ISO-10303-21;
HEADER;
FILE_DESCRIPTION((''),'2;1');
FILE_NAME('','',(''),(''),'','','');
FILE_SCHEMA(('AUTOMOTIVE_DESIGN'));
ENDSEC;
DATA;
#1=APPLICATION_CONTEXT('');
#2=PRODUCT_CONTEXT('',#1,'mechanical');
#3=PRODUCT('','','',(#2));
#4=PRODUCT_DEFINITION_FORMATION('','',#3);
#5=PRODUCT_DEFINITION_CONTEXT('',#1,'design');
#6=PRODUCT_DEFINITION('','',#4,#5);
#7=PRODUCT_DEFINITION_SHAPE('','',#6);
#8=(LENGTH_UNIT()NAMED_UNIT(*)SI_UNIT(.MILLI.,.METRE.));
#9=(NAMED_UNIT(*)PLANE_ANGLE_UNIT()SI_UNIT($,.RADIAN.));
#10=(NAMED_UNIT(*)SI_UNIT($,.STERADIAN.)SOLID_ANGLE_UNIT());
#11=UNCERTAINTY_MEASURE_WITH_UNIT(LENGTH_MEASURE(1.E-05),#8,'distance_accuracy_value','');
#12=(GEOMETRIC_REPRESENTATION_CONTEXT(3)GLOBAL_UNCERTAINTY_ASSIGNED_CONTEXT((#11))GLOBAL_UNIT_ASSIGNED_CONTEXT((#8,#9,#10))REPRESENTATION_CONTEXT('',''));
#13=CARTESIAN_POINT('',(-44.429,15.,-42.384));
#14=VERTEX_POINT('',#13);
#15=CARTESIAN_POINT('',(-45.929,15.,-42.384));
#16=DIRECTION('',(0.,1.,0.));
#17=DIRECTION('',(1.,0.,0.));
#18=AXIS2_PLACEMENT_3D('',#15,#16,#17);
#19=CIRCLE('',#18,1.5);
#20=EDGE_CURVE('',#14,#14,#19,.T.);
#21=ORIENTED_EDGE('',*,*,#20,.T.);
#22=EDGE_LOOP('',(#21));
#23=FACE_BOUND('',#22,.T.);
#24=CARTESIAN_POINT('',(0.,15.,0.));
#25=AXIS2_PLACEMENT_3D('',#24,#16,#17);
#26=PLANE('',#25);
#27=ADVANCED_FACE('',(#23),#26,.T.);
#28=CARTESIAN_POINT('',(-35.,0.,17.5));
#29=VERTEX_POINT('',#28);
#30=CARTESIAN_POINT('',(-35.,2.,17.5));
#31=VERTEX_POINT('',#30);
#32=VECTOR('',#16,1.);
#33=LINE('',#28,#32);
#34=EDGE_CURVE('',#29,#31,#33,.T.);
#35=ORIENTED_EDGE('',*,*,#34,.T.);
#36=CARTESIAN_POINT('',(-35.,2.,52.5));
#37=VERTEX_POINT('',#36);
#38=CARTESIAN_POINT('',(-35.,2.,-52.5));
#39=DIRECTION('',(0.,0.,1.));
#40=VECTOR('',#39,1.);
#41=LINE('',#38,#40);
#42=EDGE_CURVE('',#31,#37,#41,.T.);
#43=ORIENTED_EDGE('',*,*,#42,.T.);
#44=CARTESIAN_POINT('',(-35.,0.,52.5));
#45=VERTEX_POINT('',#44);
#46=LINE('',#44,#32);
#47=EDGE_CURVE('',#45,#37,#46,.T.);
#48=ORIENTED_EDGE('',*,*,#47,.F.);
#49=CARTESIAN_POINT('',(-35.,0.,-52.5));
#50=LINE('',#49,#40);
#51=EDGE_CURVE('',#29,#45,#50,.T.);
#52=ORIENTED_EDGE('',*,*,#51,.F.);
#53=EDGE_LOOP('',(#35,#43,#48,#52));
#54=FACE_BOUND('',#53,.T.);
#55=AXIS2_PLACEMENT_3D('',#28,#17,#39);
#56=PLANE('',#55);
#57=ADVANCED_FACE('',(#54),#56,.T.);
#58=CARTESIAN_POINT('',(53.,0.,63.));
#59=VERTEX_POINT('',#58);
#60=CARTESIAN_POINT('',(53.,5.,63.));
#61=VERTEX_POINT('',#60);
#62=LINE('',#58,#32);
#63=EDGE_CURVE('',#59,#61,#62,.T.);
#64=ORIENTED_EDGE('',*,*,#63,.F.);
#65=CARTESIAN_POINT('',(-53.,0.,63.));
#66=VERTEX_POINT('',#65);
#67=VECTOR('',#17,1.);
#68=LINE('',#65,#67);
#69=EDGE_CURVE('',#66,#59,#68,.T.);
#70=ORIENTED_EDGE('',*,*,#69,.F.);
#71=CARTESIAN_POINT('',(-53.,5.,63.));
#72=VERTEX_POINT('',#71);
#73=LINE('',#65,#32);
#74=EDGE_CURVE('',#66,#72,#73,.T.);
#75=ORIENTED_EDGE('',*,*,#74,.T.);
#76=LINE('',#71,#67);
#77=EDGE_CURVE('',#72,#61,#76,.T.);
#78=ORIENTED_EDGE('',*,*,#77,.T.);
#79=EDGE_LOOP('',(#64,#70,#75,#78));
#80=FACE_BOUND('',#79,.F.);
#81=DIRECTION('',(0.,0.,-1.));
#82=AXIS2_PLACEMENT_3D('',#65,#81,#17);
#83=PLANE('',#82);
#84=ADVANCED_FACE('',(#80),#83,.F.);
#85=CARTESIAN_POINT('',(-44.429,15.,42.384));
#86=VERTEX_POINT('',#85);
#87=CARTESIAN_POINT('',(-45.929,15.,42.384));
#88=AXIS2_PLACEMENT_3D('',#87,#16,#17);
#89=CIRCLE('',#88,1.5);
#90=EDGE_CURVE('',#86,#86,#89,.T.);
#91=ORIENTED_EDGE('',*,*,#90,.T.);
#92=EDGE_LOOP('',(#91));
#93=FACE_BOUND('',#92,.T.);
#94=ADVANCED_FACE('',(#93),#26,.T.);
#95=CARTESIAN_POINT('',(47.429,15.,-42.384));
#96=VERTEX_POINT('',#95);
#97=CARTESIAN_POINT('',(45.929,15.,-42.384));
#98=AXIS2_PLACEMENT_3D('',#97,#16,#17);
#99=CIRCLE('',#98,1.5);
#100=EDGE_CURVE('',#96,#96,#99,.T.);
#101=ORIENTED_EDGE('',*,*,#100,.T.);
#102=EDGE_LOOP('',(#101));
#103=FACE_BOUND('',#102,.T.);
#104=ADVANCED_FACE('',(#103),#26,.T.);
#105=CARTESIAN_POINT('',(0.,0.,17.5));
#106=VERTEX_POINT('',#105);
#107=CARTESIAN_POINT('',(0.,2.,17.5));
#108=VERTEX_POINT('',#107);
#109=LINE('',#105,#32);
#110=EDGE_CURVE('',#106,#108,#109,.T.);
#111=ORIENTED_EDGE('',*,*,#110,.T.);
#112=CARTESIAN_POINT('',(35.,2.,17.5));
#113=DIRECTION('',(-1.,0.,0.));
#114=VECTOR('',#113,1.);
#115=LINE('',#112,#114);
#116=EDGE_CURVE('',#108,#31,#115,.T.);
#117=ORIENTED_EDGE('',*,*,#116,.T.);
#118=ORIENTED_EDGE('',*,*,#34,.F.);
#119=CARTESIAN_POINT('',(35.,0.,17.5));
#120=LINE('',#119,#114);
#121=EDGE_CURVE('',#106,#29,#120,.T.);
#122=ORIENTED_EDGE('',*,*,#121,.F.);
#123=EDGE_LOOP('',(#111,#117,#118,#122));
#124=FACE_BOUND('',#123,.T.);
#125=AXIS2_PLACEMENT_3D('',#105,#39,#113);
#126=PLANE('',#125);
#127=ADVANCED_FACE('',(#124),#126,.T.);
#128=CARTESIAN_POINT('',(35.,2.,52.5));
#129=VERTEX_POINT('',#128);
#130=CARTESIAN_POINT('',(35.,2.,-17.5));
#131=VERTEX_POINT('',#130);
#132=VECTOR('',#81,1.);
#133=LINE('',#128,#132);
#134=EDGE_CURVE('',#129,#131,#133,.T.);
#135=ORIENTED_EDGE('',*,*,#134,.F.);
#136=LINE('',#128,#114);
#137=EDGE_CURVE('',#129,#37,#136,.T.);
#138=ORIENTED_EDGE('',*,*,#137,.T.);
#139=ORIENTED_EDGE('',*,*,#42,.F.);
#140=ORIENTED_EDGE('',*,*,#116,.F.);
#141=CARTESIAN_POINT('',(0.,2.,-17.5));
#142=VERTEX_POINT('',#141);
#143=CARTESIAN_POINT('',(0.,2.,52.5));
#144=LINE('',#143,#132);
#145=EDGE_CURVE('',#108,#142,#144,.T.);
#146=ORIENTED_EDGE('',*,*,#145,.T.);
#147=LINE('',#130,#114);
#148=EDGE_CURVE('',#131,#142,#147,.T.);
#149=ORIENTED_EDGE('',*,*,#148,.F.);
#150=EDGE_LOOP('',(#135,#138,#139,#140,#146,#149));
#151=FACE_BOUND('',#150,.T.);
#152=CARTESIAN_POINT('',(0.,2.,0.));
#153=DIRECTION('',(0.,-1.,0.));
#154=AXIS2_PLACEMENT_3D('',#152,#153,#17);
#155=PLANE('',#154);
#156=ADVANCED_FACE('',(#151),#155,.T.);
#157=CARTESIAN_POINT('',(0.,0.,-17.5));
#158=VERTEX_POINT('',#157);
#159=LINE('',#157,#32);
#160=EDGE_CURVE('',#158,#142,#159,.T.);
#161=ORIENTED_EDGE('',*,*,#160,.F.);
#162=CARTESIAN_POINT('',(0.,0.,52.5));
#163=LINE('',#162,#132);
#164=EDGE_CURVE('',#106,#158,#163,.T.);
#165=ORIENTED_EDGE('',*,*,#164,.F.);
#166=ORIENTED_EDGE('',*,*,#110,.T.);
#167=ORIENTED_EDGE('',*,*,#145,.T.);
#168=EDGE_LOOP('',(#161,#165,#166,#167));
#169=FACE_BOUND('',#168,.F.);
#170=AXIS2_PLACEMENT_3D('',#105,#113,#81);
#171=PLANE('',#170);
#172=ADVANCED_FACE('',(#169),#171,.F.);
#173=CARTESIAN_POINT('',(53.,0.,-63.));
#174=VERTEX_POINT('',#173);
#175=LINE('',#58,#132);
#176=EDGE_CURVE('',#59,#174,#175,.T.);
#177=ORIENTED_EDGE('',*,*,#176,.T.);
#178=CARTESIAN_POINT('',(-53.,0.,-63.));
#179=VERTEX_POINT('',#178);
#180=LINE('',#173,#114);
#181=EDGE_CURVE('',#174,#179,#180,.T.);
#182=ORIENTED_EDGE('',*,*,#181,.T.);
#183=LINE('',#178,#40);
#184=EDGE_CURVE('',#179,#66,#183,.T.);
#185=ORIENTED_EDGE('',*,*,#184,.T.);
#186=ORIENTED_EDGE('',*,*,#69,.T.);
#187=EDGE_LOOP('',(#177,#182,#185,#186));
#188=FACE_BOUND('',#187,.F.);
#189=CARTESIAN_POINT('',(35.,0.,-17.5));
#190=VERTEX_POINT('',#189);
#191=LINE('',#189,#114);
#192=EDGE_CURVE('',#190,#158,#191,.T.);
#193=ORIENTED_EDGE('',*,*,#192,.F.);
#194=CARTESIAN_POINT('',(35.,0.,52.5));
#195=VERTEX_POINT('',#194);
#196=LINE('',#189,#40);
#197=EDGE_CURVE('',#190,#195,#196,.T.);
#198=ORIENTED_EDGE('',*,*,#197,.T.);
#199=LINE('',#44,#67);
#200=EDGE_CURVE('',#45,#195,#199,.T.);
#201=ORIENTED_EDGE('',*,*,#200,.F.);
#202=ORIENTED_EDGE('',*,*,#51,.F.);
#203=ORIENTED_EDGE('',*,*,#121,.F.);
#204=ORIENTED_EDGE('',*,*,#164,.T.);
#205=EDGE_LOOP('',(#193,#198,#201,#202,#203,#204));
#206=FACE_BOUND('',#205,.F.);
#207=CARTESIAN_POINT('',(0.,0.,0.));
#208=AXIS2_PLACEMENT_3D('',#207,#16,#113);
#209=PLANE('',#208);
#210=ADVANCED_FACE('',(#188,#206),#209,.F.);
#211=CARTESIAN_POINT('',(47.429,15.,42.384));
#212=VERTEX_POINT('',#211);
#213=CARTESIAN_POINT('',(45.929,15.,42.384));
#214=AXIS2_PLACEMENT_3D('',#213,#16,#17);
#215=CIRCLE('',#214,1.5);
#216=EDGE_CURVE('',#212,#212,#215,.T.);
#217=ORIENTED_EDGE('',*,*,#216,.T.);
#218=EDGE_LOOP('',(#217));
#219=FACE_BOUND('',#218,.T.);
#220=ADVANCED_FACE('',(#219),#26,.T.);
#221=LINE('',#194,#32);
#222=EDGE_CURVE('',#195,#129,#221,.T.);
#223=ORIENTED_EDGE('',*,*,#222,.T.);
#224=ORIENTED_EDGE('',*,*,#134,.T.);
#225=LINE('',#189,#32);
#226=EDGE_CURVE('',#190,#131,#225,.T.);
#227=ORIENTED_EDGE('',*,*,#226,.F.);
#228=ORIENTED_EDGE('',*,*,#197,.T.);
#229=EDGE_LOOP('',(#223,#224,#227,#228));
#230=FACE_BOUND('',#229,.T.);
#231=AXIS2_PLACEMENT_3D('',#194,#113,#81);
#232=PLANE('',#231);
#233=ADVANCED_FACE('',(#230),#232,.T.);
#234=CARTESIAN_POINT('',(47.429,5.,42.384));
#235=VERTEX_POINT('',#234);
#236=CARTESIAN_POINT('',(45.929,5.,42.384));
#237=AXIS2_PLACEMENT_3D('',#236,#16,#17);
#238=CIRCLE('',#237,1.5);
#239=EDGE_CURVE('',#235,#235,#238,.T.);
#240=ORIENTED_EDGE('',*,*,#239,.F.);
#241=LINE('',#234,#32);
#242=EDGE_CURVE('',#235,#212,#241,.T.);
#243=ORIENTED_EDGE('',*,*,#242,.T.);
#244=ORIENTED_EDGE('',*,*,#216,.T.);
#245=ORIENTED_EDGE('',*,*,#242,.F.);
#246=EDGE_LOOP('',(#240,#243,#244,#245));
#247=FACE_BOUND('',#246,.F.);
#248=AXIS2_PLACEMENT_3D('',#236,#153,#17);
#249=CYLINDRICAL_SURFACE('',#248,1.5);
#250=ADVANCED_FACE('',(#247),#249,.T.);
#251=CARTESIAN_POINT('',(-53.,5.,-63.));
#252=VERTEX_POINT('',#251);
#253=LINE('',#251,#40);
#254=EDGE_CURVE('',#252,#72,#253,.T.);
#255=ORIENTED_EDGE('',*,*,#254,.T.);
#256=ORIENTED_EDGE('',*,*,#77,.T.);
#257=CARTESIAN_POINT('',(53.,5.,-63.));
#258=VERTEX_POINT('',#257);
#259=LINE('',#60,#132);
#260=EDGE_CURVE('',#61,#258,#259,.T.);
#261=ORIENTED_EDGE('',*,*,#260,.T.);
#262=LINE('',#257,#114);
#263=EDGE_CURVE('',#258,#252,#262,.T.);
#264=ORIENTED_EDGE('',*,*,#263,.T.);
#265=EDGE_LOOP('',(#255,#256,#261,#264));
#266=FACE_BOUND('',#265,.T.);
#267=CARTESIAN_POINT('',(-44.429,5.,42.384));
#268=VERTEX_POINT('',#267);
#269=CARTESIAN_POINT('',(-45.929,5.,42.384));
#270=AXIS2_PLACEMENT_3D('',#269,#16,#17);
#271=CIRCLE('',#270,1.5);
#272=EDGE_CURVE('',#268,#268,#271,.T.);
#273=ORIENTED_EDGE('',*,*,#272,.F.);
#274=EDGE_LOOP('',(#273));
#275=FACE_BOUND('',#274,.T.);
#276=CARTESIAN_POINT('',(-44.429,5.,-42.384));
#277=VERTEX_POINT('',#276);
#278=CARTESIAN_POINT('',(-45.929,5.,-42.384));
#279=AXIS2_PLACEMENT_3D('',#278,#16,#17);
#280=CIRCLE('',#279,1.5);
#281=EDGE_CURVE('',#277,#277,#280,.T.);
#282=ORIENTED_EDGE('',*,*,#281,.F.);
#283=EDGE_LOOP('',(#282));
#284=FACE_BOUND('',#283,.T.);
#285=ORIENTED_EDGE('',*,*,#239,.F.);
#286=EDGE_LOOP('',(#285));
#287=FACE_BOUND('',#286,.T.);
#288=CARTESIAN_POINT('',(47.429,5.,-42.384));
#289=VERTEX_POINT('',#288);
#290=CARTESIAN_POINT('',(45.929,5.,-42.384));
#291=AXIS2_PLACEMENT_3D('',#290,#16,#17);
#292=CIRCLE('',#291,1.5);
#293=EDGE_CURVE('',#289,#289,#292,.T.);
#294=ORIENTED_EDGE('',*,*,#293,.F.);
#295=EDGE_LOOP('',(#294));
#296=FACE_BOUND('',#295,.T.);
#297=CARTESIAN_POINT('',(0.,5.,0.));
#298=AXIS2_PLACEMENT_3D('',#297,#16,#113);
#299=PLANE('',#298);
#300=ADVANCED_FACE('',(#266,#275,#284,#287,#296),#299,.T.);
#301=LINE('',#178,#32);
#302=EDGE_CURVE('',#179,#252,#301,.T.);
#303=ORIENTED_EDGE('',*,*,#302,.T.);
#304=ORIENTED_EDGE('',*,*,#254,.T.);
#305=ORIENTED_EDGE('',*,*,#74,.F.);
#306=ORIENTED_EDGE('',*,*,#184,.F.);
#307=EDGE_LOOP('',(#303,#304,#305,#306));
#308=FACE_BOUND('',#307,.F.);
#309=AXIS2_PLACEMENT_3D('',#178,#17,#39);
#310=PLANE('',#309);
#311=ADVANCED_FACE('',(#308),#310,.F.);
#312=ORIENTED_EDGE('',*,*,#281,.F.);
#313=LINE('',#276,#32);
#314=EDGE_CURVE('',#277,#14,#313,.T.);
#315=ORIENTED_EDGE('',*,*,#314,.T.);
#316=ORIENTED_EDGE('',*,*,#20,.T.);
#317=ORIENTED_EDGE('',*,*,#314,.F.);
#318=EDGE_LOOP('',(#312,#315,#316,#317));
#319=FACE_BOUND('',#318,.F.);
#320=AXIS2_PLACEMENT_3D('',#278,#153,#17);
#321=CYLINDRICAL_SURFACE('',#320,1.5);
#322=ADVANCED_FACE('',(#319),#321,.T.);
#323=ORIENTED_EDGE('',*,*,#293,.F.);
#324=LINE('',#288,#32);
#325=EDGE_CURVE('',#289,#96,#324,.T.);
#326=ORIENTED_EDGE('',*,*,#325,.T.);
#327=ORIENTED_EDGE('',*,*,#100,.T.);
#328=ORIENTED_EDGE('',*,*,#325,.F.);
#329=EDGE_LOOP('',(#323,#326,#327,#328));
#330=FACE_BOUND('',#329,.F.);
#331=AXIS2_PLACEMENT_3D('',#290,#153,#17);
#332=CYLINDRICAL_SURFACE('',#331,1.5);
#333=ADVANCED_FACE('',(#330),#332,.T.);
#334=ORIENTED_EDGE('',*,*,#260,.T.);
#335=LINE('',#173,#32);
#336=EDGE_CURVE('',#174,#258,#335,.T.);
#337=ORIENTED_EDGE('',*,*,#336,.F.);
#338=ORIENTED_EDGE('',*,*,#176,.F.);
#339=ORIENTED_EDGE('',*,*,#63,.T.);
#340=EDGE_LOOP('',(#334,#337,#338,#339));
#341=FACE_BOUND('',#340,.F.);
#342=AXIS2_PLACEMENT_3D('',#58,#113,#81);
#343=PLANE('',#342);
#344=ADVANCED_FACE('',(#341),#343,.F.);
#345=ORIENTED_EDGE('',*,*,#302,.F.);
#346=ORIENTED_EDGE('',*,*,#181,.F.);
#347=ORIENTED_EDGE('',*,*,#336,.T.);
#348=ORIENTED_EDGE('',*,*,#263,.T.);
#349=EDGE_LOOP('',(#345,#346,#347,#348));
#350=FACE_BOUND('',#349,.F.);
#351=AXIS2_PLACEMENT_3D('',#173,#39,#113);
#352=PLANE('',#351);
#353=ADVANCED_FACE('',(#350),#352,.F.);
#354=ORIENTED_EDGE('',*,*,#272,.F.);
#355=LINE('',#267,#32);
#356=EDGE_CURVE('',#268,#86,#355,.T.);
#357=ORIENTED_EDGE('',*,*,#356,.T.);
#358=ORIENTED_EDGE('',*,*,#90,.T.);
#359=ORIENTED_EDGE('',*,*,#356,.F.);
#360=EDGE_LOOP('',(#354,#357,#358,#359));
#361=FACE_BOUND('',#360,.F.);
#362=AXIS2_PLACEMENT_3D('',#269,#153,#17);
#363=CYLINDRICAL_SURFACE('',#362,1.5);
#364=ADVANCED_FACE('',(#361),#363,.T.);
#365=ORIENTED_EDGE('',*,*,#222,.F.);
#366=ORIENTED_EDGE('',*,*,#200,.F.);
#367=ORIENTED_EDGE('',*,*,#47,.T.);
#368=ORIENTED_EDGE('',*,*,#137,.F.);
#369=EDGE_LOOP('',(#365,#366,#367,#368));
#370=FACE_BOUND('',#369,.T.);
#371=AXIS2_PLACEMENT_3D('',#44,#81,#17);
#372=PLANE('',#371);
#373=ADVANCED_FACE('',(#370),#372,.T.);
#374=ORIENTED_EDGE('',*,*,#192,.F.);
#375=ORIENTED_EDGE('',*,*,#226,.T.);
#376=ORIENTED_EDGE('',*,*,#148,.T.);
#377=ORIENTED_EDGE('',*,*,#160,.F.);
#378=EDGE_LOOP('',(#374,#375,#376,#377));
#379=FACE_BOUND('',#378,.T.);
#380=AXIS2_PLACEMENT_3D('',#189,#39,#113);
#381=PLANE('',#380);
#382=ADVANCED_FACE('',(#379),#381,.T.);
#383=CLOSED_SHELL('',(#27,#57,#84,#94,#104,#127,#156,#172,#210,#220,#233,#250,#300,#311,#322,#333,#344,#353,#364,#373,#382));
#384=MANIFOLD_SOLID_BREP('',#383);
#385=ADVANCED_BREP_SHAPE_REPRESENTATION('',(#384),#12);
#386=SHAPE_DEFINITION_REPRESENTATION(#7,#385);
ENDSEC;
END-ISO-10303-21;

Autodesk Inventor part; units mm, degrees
ref_plane "YZ Plane" through (0, 0, 0) normal (1, 0, 0) x (0, 1, 0)
ref_plane "XZ Plane" through (0, 0, 0) normal (0, 1, 0) x (-1, 0, 0)
ref_plane "XY Plane" through (0, 0, 0) normal (0, 0, 1) x (1, 0, 0)
sketch "Boceto1" plane through (0, 0, 0) normal (0, 1, 0) x (-1, 0, 0)
  line L0 (53, 63) -> (-53, 63)
  line L1 (-53, 63) -> (-53, -63)
  line L2 (-53, -63) -> (53, -63)
  line L3 (53, -63) -> (53, 63)
  point P0 (0, 0)
  point P1 (0, 63)
  dimension "d1" = 106
  dimension "d2" = 126
  dimension "d3" = 53
  dimension "d4" = 63
extrude "Extrusión1" add sketch "Boceto1" along normal blind 5
sketch "Boceto2" plane through (0, 5, 0) normal (0, 1, 0) x (1, 0, 0)
  circle A0 centre (-45.929, -42.384) radius 1.5
  line L0 (-53, -63) -> (53, -63) projected
  line L1 (-53, 63) -> (-53, -63) projected
  line L2 (-81, 0) -> (77, 0)
  line L3 (0, -130) -> (0, 128)
  circle A1 centre (-45.929, 42.384) radius 1.5
  line L4 (-53, -63) -> (-53, 63)
  circle A2 centre (45.929, -42.384) radius 1.5
  circle A3 centre (45.929, 42.384) radius 1.5
  point P0 (0, 0)
  dimension "d7" = 3
  dimension "d8" = 20.616
  dimension "d9" = 7.071
extrude "Extrusión2" add sketch "Boceto2" along normal blind 10 contours A0 | A1 | A2 | A3
sketch "Boceto3" plane through (0, 0, 0) normal (0, -1, 0) x (1, 0, 0)
  line L0 (-35, 52.5) -> (35, 52.5)
  line L1 (35, 52.5) -> (35, -52.5)
  line L2 (35, -52.5) -> (-35, -52.5)
  line L3 (-35, -52.5) -> (-35, 52.5)
  line L4 (53, -63) -> (-53, -63) projected
  line L5 (-53, 63) -> (53, 63) projected
  line L6 (53, 63) -> (53, -63) projected
  line L7 (-53, -63) -> (-53, 63) projected
  line L8 (35, 17.5) -> (-35, 17.5)
  line L9 (35, -17.5) -> (-35, -17.5)
  line L10 (0, 52.5) -> (0, -52.5)
  point P0 (0, 0)
  point P1 (0, 17.5)
  point P2 (0, -17.5)
  dimension "d12" = 52.5
  dimension "d13" = 126
  dimension "d14" = 106
  dimension "d15" = 52.5
  dimension "d16" = 35
  dimension "d17" = 35
  dimension "d18" = 35
  dimension "d19" = 35
  dimension "d20" = 35
extrude "Extrusión3" cut sketch "Boceto3" against normal blind 2 contours L0 L10 L8 L3 | L0 L1 L8 L10 | L8 L1 L9 L10
properties part number "Tapa 0"
